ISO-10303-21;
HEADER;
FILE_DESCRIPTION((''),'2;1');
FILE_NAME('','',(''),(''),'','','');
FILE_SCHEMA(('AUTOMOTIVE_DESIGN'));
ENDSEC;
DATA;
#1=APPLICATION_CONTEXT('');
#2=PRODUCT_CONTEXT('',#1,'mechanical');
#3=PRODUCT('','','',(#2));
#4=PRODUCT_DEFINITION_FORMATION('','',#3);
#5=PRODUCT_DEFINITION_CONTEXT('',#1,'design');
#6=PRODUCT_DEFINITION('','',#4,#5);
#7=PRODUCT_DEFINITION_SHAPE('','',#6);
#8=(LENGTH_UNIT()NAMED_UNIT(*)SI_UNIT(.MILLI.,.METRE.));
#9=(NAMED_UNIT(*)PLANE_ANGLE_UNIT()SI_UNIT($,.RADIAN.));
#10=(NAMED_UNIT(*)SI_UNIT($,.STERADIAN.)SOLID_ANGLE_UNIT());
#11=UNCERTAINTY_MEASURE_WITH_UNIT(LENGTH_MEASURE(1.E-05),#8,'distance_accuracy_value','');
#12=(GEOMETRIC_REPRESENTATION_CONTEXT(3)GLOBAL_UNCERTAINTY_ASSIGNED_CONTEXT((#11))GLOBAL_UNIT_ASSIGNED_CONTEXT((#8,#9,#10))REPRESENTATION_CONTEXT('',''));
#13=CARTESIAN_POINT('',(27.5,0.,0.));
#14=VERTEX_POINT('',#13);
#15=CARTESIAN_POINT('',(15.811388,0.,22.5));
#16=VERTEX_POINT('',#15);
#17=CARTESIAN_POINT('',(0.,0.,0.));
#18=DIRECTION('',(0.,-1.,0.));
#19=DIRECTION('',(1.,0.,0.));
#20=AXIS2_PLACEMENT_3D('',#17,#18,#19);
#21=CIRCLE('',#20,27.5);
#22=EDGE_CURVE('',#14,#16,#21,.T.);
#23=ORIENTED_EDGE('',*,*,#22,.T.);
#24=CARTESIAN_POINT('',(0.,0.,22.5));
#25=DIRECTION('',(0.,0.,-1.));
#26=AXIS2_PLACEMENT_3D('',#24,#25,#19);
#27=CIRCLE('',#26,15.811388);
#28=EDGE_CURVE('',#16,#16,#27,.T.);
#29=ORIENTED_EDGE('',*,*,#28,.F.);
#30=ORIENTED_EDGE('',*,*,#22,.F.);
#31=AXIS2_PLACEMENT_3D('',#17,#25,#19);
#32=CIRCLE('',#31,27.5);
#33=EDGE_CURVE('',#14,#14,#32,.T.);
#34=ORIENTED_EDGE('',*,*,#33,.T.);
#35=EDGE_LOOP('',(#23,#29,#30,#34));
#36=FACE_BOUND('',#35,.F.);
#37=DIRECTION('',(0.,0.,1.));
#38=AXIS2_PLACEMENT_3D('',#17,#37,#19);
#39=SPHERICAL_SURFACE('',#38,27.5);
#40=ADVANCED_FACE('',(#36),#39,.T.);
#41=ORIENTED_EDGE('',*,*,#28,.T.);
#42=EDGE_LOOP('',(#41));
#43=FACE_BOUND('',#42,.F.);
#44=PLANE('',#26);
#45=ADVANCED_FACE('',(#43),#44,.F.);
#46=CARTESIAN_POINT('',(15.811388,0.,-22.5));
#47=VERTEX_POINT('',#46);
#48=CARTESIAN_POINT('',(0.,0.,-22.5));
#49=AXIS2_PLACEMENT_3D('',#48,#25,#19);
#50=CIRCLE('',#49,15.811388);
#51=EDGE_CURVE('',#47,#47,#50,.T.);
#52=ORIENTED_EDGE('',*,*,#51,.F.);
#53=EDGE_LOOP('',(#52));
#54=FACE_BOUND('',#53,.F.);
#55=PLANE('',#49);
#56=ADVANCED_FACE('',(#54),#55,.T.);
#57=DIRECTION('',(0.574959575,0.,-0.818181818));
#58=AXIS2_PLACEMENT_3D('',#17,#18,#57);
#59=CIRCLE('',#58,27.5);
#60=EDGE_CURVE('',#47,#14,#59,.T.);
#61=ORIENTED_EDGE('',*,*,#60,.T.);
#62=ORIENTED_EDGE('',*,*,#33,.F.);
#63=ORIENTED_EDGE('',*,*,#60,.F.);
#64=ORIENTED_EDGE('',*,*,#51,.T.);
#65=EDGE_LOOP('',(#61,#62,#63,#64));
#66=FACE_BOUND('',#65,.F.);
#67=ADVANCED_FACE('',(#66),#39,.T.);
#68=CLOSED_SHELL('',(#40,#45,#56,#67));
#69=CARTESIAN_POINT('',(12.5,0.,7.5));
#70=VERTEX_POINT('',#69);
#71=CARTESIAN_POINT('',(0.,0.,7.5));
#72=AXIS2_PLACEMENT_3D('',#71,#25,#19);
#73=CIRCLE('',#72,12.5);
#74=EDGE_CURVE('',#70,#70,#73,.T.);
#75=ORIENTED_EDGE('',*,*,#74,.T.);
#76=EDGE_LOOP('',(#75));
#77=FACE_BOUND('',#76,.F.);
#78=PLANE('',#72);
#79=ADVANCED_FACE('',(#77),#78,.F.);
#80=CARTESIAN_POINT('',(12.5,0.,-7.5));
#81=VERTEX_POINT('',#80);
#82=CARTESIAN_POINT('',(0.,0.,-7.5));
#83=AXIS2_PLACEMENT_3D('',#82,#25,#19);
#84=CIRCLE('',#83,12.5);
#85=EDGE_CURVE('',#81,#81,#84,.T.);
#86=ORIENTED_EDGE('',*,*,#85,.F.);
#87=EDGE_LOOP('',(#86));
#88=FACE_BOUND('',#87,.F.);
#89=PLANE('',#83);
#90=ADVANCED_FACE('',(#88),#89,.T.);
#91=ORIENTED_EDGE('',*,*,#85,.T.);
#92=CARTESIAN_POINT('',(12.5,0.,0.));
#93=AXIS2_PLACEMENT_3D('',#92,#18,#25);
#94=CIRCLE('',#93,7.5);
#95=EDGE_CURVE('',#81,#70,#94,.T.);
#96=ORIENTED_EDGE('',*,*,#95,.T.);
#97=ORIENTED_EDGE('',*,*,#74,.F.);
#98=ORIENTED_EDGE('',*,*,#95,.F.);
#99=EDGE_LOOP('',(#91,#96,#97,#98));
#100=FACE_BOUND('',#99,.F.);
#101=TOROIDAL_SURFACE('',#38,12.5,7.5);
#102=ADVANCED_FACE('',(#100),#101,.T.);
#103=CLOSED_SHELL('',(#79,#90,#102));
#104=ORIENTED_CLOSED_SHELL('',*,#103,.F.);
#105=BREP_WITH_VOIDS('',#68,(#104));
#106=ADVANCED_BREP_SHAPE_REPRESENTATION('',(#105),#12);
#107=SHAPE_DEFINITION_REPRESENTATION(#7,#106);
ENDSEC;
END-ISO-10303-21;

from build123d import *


with BuildPart() as f1:
    # F0 (on Front) → F1 (revolve)
    with BuildSketch(Plane.XZ):
        with BuildLine():
            Line((15.8113883008, 22.5), (0, 22.5))
            Line((0, 22.5), (0, -22.5))
            Line((0, -22.5), (15.8113883008, -22.5))
            ThreePointArc((15.8113883008, -22.5), (24.4035159175, -12.677476518), (27.5, 0))
            ThreePointArc((27.5, 0), (24.4035159175, 12.677476518), (15.8113883008, 22.5))
        make_face()
    revolve(axis=Axis((0, 0, 0.9608182426), (0, 0, -1)))

    # F2 (on Front) → F3 (revolve, cut)
    with BuildSketch(Plane.XZ):
        with BuildLine():
            Line((12.5, 7.5), (0, 7.5))
            Line((0, 7.5), (0, -7.5))
            Line((0, -7.5), (12.5, -7.5))
            ThreePointArc((12.5, -7.5), (17.8033008589, -5.3033008589), (20, 0))
            ThreePointArc((20, 0), (17.8033008589, 5.3033008589), (12.5, 7.5))
        make_face()
    revolve(axis=Axis((0, 0, -3.6558974534), (0, 0, -1)), mode=Mode.SUBTRACT)


solid = f1.part
